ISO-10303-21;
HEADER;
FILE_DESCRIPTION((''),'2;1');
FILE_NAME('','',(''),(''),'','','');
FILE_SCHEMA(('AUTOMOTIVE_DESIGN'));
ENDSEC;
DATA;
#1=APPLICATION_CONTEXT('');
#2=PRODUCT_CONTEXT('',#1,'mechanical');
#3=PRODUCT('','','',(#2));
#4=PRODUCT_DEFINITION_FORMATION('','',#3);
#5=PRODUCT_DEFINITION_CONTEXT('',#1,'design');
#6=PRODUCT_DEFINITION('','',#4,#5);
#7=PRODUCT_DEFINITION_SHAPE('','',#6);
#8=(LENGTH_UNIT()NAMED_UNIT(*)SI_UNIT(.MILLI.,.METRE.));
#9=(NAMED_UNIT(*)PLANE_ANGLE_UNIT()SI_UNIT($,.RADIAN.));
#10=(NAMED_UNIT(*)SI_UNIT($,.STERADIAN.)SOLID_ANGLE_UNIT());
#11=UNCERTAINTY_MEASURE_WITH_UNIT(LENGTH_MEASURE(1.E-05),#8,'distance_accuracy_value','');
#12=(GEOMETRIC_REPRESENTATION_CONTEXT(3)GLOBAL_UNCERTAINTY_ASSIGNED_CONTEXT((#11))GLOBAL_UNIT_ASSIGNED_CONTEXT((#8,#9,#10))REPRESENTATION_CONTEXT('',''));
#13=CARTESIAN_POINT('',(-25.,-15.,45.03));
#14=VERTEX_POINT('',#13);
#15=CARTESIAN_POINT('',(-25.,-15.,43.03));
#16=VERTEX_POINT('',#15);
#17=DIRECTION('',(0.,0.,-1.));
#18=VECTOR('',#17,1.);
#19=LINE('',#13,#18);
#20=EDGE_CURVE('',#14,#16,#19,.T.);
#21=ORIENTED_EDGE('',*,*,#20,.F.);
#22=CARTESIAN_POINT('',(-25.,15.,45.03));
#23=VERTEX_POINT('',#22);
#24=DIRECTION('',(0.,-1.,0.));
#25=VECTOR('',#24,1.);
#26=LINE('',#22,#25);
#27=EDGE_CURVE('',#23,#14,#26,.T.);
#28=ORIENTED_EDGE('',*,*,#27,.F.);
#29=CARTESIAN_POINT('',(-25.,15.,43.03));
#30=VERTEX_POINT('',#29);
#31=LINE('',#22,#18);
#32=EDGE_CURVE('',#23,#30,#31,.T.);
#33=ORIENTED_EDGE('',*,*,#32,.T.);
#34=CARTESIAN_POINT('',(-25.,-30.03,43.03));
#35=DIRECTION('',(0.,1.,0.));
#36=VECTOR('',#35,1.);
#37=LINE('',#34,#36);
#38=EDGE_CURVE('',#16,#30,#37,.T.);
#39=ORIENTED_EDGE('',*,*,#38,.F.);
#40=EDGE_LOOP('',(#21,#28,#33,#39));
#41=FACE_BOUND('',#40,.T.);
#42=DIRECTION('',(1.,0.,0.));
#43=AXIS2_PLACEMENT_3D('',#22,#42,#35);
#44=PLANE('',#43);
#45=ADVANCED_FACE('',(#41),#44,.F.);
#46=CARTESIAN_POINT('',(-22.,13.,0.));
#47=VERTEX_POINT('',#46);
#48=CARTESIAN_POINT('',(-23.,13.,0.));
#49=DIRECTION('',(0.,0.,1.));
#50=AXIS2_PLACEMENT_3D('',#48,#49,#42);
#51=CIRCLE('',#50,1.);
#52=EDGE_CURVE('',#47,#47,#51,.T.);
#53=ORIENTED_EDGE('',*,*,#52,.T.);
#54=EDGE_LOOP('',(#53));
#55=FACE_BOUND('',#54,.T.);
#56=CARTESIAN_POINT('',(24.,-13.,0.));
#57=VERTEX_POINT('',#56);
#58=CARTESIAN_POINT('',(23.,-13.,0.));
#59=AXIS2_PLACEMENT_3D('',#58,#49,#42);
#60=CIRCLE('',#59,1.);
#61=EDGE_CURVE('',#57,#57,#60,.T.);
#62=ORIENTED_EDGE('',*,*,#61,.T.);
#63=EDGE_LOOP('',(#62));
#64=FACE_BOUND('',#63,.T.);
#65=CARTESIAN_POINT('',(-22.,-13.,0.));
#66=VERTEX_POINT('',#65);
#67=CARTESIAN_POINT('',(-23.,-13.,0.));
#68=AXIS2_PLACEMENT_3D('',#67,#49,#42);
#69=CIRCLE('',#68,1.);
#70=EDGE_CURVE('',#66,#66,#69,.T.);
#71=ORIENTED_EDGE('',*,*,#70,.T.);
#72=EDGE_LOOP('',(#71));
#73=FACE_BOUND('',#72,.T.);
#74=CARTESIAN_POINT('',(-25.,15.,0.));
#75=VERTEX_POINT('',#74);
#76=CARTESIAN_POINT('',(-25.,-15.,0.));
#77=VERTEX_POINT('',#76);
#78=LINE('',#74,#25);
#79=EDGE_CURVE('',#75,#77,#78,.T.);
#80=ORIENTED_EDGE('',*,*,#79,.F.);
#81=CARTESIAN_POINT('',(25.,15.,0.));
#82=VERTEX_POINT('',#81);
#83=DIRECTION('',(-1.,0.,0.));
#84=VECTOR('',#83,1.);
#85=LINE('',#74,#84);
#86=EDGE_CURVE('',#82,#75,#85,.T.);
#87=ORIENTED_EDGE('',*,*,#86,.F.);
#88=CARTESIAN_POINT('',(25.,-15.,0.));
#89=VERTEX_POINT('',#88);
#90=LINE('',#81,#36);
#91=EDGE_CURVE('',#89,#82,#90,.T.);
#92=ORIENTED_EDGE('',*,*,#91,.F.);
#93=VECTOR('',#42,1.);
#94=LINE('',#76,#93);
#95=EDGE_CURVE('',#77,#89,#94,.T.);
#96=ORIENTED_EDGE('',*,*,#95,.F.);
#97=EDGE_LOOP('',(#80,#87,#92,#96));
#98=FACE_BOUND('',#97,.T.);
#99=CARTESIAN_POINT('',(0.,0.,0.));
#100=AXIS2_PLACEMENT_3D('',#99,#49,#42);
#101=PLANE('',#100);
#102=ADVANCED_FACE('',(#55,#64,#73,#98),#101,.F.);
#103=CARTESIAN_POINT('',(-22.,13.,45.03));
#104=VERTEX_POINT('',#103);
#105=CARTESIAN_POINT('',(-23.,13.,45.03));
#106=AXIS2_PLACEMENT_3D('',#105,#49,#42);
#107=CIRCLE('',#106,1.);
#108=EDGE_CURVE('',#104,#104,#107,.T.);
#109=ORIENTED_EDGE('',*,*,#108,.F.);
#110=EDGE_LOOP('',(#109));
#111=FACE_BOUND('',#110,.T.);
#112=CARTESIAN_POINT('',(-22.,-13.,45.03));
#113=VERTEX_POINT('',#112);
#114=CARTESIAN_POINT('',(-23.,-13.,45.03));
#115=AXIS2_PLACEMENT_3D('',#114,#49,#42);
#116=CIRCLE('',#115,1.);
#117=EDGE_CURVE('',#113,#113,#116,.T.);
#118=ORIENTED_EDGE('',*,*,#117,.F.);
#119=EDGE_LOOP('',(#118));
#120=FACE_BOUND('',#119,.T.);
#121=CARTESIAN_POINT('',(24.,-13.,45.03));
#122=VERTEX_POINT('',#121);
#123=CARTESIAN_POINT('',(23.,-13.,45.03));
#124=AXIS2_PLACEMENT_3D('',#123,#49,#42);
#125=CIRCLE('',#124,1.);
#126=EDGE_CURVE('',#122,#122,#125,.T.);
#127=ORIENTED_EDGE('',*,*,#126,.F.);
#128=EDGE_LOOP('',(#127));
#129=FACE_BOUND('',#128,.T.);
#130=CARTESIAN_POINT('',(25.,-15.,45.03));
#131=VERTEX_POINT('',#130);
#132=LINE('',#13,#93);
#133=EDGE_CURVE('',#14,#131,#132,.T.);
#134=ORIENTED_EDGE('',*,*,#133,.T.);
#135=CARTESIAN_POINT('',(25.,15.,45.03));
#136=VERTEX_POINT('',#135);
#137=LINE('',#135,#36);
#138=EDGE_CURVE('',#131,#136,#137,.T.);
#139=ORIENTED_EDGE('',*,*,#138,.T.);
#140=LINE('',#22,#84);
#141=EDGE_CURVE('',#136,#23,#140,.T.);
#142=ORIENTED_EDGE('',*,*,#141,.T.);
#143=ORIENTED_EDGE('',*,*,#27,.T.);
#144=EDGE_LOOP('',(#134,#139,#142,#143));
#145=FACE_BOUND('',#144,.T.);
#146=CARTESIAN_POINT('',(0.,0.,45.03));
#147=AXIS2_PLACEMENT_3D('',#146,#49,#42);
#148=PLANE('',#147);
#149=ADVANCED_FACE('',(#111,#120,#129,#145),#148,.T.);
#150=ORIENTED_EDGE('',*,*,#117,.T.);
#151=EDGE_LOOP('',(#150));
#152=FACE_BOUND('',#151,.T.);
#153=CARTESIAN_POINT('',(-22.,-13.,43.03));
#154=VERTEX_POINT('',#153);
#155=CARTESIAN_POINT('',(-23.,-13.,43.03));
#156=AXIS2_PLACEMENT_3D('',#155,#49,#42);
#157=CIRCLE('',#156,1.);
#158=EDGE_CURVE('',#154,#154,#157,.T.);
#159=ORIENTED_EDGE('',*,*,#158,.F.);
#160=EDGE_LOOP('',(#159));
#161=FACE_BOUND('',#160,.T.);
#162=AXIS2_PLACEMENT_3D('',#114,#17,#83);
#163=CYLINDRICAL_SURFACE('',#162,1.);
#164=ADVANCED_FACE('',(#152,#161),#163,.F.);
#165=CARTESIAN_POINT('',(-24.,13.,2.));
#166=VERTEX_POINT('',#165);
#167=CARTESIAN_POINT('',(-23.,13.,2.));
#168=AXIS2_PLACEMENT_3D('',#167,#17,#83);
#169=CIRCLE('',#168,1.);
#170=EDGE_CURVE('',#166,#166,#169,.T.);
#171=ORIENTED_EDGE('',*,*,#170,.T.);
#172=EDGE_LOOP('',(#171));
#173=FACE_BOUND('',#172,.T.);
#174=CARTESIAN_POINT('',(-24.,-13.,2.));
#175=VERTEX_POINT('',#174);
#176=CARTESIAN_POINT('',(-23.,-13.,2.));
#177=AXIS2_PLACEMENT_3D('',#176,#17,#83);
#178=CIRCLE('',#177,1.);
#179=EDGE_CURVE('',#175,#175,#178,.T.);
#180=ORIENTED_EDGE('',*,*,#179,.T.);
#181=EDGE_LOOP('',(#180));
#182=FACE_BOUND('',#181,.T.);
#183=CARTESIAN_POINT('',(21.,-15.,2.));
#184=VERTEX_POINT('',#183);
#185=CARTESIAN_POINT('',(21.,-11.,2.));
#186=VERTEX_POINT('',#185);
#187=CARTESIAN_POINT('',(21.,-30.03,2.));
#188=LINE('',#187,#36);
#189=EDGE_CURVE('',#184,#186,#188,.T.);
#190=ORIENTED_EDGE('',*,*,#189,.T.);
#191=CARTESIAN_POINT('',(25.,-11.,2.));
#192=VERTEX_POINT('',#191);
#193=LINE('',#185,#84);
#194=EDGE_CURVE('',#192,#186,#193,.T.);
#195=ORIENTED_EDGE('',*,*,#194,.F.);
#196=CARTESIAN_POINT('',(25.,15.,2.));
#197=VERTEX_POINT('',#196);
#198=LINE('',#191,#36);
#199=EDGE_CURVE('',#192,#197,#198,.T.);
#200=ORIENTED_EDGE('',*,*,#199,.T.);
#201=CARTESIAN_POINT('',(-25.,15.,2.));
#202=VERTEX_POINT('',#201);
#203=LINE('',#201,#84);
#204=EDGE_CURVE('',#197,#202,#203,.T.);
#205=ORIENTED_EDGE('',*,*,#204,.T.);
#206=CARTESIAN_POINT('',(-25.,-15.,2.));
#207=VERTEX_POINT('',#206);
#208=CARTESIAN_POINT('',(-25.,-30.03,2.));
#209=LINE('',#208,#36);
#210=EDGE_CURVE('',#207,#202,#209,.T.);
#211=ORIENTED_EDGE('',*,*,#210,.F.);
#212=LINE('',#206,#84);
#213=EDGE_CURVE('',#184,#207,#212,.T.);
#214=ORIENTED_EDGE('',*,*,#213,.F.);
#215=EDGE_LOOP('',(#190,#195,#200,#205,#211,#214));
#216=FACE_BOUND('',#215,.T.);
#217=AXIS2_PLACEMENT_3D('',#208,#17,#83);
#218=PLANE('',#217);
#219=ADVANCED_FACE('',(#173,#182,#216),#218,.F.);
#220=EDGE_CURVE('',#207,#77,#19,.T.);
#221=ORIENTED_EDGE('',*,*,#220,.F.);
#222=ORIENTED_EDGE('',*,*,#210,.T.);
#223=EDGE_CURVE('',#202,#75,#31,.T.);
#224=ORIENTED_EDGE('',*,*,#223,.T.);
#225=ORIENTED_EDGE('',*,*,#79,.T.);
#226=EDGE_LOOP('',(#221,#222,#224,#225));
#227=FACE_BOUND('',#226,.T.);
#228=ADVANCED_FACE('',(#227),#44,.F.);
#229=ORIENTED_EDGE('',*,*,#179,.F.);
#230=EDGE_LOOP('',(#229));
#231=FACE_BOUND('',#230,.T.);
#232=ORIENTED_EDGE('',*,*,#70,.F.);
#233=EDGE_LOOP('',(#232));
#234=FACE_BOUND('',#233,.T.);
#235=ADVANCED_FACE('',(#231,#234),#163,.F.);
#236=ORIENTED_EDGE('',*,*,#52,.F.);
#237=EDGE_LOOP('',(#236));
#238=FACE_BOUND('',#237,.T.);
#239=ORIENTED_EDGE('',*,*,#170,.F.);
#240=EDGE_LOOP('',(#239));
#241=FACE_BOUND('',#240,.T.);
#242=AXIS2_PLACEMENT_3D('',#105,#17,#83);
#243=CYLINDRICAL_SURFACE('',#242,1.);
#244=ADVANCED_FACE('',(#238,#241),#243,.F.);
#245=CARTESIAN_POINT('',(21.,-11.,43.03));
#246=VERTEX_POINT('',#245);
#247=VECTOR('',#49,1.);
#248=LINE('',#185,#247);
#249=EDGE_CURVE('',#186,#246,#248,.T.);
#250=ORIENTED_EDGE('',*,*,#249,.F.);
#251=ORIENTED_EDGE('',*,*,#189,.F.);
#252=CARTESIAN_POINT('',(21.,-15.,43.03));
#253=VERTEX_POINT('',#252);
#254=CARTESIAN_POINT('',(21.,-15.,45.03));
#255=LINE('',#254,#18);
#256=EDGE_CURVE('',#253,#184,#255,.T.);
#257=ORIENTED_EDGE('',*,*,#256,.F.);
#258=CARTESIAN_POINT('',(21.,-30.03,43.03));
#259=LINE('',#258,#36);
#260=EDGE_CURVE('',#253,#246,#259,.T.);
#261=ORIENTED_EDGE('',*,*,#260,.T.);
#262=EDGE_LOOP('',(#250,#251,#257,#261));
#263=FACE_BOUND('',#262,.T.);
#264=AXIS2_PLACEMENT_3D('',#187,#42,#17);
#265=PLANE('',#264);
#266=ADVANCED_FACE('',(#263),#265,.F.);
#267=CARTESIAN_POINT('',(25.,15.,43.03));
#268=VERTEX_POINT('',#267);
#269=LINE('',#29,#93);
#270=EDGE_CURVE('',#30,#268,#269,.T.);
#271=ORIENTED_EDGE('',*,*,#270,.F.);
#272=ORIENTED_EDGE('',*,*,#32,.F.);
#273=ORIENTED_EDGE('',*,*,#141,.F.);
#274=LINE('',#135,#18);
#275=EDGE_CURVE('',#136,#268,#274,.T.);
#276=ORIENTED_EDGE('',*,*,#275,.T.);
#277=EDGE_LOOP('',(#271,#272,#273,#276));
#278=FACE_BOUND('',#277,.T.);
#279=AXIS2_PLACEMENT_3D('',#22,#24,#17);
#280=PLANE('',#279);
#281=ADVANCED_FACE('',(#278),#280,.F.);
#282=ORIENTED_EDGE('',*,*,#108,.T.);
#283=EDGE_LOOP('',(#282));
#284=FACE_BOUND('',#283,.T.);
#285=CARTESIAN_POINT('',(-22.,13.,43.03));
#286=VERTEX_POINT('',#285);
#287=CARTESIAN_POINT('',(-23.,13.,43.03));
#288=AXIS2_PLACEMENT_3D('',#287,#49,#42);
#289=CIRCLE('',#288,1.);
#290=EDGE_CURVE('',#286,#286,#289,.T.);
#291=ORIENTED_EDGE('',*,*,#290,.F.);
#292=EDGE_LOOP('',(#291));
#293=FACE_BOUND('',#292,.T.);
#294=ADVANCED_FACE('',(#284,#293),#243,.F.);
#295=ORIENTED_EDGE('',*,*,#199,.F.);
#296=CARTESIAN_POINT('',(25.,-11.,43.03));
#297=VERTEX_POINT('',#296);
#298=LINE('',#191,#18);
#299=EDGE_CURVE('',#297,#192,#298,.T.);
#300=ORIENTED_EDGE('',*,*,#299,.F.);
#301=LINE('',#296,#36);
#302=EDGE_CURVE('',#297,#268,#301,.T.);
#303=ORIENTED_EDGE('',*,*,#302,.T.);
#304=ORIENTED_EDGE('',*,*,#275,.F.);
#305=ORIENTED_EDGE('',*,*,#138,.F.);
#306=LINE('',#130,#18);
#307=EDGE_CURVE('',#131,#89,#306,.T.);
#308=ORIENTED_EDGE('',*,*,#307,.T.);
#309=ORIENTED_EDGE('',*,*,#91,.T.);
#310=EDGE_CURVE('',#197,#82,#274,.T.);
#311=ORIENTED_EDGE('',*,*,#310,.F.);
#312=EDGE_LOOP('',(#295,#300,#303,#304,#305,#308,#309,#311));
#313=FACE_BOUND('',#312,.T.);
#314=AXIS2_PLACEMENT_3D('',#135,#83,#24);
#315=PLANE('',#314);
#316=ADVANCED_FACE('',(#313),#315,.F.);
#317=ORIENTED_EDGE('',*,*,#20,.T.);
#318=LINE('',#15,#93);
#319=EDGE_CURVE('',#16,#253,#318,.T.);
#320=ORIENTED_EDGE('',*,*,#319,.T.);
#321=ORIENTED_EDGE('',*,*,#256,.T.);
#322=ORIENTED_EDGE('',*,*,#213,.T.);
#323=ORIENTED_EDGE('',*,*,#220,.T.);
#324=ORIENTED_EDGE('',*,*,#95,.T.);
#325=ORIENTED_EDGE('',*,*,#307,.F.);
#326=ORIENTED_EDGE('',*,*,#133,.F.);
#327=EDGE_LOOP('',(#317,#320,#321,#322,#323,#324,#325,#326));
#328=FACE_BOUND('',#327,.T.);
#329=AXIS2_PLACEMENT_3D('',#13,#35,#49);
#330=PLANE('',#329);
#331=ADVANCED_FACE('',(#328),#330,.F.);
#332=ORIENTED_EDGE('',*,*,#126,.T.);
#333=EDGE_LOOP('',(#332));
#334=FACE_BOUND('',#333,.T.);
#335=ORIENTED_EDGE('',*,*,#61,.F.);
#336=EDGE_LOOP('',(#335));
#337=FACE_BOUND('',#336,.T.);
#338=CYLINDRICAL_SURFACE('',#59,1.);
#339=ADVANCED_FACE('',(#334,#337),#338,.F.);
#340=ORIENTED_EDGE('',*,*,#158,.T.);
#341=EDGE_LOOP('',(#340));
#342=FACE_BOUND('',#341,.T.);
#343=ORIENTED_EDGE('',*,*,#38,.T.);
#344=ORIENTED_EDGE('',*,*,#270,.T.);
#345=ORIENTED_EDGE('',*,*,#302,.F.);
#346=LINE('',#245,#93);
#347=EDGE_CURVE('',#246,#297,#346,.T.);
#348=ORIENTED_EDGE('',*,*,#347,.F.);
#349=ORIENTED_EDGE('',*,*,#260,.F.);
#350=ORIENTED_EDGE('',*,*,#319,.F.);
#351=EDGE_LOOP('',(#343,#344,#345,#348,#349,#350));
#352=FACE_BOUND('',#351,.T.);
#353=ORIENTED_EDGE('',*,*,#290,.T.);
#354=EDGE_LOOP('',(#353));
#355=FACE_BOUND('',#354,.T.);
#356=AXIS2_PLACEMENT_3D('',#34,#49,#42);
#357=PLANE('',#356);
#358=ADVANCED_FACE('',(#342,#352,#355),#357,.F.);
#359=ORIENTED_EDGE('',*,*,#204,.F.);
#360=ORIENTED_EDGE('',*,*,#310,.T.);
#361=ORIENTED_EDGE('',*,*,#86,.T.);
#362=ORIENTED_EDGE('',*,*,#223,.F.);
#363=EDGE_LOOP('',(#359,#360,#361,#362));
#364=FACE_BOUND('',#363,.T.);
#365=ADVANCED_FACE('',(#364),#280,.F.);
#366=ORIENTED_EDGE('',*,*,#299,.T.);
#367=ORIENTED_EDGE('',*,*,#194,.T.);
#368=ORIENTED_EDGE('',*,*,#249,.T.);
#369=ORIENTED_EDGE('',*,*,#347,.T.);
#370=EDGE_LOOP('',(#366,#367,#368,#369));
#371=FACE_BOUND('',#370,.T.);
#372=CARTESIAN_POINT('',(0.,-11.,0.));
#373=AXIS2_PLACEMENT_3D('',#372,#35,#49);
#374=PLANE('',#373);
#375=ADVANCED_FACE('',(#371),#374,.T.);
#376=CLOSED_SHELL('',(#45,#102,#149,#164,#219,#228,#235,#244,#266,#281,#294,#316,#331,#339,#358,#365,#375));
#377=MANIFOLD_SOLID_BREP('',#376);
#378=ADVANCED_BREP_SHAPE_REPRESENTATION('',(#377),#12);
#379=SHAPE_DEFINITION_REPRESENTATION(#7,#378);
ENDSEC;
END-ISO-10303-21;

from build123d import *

# Parameters (mm, degrees)
SKETCH_1_W          = 50
SKETCH_1_H          = 30
SKETCH_1_R          = 1
EXTRUDE_1_DEPTH     = 45.03
SKETCH_2_W          = 46
SKETCH_2_H          = 41.03
CUT_EXTRUDE_1_DEPTH = 45.03
SKETCH_3_R          = 1
CUT_EXTRUDE_2_DEPTH = 45.03
SKETCH_4_W          = 4
SKETCH_4_H          = 41.03
CUT_EXTRUDE_3_DEPTH = 26


with BuildPart() as part:
    # 草图1 → 凸台-拉伸1 (new body)
    with BuildSketch(Plane.XY):
        Rectangle(SKETCH_1_W, SKETCH_1_H)
        with Locations((-23, -13)):
            Circle(SKETCH_1_R, mode=Mode.SUBTRACT)
        with Locations((-23, 13)):
            Circle(SKETCH_1_R, mode=Mode.SUBTRACT)
    extrude(amount=EXTRUDE_1_DEPTH)

    # 草图2 → 切除-拉伸1 (cut)
    with BuildSketch(Plane(origin=(0, 15, 0), x_dir=(1, 0, 0), z_dir=(0, 1, 0))):
        with Locations((-2, -22.515)):
            Rectangle(SKETCH_2_W, SKETCH_2_H)
    extrude(amount=-CUT_EXTRUDE_1_DEPTH, mode=Mode.SUBTRACT)

    # 草图3 → 切除-拉伸2 (cut)
    with BuildSketch(Plane.XY.offset(45.03)):
        with Locations((23, -13)):
            Circle(SKETCH_3_R)
    extrude(amount=-CUT_EXTRUDE_2_DEPTH, mode=Mode.SUBTRACT)

    # 草图4 → 切除-拉伸3 (cut)
    with BuildSketch(Plane(origin=(0, 15, 0), x_dir=(1, 0, 0), z_dir=(0, 1, 0))):
        with Locations((23, -22.515)):
            Rectangle(SKETCH_4_W, SKETCH_4_H)
    extrude(amount=-CUT_EXTRUDE_3_DEPTH, mode=Mode.SUBTRACT)


solid = part.part
